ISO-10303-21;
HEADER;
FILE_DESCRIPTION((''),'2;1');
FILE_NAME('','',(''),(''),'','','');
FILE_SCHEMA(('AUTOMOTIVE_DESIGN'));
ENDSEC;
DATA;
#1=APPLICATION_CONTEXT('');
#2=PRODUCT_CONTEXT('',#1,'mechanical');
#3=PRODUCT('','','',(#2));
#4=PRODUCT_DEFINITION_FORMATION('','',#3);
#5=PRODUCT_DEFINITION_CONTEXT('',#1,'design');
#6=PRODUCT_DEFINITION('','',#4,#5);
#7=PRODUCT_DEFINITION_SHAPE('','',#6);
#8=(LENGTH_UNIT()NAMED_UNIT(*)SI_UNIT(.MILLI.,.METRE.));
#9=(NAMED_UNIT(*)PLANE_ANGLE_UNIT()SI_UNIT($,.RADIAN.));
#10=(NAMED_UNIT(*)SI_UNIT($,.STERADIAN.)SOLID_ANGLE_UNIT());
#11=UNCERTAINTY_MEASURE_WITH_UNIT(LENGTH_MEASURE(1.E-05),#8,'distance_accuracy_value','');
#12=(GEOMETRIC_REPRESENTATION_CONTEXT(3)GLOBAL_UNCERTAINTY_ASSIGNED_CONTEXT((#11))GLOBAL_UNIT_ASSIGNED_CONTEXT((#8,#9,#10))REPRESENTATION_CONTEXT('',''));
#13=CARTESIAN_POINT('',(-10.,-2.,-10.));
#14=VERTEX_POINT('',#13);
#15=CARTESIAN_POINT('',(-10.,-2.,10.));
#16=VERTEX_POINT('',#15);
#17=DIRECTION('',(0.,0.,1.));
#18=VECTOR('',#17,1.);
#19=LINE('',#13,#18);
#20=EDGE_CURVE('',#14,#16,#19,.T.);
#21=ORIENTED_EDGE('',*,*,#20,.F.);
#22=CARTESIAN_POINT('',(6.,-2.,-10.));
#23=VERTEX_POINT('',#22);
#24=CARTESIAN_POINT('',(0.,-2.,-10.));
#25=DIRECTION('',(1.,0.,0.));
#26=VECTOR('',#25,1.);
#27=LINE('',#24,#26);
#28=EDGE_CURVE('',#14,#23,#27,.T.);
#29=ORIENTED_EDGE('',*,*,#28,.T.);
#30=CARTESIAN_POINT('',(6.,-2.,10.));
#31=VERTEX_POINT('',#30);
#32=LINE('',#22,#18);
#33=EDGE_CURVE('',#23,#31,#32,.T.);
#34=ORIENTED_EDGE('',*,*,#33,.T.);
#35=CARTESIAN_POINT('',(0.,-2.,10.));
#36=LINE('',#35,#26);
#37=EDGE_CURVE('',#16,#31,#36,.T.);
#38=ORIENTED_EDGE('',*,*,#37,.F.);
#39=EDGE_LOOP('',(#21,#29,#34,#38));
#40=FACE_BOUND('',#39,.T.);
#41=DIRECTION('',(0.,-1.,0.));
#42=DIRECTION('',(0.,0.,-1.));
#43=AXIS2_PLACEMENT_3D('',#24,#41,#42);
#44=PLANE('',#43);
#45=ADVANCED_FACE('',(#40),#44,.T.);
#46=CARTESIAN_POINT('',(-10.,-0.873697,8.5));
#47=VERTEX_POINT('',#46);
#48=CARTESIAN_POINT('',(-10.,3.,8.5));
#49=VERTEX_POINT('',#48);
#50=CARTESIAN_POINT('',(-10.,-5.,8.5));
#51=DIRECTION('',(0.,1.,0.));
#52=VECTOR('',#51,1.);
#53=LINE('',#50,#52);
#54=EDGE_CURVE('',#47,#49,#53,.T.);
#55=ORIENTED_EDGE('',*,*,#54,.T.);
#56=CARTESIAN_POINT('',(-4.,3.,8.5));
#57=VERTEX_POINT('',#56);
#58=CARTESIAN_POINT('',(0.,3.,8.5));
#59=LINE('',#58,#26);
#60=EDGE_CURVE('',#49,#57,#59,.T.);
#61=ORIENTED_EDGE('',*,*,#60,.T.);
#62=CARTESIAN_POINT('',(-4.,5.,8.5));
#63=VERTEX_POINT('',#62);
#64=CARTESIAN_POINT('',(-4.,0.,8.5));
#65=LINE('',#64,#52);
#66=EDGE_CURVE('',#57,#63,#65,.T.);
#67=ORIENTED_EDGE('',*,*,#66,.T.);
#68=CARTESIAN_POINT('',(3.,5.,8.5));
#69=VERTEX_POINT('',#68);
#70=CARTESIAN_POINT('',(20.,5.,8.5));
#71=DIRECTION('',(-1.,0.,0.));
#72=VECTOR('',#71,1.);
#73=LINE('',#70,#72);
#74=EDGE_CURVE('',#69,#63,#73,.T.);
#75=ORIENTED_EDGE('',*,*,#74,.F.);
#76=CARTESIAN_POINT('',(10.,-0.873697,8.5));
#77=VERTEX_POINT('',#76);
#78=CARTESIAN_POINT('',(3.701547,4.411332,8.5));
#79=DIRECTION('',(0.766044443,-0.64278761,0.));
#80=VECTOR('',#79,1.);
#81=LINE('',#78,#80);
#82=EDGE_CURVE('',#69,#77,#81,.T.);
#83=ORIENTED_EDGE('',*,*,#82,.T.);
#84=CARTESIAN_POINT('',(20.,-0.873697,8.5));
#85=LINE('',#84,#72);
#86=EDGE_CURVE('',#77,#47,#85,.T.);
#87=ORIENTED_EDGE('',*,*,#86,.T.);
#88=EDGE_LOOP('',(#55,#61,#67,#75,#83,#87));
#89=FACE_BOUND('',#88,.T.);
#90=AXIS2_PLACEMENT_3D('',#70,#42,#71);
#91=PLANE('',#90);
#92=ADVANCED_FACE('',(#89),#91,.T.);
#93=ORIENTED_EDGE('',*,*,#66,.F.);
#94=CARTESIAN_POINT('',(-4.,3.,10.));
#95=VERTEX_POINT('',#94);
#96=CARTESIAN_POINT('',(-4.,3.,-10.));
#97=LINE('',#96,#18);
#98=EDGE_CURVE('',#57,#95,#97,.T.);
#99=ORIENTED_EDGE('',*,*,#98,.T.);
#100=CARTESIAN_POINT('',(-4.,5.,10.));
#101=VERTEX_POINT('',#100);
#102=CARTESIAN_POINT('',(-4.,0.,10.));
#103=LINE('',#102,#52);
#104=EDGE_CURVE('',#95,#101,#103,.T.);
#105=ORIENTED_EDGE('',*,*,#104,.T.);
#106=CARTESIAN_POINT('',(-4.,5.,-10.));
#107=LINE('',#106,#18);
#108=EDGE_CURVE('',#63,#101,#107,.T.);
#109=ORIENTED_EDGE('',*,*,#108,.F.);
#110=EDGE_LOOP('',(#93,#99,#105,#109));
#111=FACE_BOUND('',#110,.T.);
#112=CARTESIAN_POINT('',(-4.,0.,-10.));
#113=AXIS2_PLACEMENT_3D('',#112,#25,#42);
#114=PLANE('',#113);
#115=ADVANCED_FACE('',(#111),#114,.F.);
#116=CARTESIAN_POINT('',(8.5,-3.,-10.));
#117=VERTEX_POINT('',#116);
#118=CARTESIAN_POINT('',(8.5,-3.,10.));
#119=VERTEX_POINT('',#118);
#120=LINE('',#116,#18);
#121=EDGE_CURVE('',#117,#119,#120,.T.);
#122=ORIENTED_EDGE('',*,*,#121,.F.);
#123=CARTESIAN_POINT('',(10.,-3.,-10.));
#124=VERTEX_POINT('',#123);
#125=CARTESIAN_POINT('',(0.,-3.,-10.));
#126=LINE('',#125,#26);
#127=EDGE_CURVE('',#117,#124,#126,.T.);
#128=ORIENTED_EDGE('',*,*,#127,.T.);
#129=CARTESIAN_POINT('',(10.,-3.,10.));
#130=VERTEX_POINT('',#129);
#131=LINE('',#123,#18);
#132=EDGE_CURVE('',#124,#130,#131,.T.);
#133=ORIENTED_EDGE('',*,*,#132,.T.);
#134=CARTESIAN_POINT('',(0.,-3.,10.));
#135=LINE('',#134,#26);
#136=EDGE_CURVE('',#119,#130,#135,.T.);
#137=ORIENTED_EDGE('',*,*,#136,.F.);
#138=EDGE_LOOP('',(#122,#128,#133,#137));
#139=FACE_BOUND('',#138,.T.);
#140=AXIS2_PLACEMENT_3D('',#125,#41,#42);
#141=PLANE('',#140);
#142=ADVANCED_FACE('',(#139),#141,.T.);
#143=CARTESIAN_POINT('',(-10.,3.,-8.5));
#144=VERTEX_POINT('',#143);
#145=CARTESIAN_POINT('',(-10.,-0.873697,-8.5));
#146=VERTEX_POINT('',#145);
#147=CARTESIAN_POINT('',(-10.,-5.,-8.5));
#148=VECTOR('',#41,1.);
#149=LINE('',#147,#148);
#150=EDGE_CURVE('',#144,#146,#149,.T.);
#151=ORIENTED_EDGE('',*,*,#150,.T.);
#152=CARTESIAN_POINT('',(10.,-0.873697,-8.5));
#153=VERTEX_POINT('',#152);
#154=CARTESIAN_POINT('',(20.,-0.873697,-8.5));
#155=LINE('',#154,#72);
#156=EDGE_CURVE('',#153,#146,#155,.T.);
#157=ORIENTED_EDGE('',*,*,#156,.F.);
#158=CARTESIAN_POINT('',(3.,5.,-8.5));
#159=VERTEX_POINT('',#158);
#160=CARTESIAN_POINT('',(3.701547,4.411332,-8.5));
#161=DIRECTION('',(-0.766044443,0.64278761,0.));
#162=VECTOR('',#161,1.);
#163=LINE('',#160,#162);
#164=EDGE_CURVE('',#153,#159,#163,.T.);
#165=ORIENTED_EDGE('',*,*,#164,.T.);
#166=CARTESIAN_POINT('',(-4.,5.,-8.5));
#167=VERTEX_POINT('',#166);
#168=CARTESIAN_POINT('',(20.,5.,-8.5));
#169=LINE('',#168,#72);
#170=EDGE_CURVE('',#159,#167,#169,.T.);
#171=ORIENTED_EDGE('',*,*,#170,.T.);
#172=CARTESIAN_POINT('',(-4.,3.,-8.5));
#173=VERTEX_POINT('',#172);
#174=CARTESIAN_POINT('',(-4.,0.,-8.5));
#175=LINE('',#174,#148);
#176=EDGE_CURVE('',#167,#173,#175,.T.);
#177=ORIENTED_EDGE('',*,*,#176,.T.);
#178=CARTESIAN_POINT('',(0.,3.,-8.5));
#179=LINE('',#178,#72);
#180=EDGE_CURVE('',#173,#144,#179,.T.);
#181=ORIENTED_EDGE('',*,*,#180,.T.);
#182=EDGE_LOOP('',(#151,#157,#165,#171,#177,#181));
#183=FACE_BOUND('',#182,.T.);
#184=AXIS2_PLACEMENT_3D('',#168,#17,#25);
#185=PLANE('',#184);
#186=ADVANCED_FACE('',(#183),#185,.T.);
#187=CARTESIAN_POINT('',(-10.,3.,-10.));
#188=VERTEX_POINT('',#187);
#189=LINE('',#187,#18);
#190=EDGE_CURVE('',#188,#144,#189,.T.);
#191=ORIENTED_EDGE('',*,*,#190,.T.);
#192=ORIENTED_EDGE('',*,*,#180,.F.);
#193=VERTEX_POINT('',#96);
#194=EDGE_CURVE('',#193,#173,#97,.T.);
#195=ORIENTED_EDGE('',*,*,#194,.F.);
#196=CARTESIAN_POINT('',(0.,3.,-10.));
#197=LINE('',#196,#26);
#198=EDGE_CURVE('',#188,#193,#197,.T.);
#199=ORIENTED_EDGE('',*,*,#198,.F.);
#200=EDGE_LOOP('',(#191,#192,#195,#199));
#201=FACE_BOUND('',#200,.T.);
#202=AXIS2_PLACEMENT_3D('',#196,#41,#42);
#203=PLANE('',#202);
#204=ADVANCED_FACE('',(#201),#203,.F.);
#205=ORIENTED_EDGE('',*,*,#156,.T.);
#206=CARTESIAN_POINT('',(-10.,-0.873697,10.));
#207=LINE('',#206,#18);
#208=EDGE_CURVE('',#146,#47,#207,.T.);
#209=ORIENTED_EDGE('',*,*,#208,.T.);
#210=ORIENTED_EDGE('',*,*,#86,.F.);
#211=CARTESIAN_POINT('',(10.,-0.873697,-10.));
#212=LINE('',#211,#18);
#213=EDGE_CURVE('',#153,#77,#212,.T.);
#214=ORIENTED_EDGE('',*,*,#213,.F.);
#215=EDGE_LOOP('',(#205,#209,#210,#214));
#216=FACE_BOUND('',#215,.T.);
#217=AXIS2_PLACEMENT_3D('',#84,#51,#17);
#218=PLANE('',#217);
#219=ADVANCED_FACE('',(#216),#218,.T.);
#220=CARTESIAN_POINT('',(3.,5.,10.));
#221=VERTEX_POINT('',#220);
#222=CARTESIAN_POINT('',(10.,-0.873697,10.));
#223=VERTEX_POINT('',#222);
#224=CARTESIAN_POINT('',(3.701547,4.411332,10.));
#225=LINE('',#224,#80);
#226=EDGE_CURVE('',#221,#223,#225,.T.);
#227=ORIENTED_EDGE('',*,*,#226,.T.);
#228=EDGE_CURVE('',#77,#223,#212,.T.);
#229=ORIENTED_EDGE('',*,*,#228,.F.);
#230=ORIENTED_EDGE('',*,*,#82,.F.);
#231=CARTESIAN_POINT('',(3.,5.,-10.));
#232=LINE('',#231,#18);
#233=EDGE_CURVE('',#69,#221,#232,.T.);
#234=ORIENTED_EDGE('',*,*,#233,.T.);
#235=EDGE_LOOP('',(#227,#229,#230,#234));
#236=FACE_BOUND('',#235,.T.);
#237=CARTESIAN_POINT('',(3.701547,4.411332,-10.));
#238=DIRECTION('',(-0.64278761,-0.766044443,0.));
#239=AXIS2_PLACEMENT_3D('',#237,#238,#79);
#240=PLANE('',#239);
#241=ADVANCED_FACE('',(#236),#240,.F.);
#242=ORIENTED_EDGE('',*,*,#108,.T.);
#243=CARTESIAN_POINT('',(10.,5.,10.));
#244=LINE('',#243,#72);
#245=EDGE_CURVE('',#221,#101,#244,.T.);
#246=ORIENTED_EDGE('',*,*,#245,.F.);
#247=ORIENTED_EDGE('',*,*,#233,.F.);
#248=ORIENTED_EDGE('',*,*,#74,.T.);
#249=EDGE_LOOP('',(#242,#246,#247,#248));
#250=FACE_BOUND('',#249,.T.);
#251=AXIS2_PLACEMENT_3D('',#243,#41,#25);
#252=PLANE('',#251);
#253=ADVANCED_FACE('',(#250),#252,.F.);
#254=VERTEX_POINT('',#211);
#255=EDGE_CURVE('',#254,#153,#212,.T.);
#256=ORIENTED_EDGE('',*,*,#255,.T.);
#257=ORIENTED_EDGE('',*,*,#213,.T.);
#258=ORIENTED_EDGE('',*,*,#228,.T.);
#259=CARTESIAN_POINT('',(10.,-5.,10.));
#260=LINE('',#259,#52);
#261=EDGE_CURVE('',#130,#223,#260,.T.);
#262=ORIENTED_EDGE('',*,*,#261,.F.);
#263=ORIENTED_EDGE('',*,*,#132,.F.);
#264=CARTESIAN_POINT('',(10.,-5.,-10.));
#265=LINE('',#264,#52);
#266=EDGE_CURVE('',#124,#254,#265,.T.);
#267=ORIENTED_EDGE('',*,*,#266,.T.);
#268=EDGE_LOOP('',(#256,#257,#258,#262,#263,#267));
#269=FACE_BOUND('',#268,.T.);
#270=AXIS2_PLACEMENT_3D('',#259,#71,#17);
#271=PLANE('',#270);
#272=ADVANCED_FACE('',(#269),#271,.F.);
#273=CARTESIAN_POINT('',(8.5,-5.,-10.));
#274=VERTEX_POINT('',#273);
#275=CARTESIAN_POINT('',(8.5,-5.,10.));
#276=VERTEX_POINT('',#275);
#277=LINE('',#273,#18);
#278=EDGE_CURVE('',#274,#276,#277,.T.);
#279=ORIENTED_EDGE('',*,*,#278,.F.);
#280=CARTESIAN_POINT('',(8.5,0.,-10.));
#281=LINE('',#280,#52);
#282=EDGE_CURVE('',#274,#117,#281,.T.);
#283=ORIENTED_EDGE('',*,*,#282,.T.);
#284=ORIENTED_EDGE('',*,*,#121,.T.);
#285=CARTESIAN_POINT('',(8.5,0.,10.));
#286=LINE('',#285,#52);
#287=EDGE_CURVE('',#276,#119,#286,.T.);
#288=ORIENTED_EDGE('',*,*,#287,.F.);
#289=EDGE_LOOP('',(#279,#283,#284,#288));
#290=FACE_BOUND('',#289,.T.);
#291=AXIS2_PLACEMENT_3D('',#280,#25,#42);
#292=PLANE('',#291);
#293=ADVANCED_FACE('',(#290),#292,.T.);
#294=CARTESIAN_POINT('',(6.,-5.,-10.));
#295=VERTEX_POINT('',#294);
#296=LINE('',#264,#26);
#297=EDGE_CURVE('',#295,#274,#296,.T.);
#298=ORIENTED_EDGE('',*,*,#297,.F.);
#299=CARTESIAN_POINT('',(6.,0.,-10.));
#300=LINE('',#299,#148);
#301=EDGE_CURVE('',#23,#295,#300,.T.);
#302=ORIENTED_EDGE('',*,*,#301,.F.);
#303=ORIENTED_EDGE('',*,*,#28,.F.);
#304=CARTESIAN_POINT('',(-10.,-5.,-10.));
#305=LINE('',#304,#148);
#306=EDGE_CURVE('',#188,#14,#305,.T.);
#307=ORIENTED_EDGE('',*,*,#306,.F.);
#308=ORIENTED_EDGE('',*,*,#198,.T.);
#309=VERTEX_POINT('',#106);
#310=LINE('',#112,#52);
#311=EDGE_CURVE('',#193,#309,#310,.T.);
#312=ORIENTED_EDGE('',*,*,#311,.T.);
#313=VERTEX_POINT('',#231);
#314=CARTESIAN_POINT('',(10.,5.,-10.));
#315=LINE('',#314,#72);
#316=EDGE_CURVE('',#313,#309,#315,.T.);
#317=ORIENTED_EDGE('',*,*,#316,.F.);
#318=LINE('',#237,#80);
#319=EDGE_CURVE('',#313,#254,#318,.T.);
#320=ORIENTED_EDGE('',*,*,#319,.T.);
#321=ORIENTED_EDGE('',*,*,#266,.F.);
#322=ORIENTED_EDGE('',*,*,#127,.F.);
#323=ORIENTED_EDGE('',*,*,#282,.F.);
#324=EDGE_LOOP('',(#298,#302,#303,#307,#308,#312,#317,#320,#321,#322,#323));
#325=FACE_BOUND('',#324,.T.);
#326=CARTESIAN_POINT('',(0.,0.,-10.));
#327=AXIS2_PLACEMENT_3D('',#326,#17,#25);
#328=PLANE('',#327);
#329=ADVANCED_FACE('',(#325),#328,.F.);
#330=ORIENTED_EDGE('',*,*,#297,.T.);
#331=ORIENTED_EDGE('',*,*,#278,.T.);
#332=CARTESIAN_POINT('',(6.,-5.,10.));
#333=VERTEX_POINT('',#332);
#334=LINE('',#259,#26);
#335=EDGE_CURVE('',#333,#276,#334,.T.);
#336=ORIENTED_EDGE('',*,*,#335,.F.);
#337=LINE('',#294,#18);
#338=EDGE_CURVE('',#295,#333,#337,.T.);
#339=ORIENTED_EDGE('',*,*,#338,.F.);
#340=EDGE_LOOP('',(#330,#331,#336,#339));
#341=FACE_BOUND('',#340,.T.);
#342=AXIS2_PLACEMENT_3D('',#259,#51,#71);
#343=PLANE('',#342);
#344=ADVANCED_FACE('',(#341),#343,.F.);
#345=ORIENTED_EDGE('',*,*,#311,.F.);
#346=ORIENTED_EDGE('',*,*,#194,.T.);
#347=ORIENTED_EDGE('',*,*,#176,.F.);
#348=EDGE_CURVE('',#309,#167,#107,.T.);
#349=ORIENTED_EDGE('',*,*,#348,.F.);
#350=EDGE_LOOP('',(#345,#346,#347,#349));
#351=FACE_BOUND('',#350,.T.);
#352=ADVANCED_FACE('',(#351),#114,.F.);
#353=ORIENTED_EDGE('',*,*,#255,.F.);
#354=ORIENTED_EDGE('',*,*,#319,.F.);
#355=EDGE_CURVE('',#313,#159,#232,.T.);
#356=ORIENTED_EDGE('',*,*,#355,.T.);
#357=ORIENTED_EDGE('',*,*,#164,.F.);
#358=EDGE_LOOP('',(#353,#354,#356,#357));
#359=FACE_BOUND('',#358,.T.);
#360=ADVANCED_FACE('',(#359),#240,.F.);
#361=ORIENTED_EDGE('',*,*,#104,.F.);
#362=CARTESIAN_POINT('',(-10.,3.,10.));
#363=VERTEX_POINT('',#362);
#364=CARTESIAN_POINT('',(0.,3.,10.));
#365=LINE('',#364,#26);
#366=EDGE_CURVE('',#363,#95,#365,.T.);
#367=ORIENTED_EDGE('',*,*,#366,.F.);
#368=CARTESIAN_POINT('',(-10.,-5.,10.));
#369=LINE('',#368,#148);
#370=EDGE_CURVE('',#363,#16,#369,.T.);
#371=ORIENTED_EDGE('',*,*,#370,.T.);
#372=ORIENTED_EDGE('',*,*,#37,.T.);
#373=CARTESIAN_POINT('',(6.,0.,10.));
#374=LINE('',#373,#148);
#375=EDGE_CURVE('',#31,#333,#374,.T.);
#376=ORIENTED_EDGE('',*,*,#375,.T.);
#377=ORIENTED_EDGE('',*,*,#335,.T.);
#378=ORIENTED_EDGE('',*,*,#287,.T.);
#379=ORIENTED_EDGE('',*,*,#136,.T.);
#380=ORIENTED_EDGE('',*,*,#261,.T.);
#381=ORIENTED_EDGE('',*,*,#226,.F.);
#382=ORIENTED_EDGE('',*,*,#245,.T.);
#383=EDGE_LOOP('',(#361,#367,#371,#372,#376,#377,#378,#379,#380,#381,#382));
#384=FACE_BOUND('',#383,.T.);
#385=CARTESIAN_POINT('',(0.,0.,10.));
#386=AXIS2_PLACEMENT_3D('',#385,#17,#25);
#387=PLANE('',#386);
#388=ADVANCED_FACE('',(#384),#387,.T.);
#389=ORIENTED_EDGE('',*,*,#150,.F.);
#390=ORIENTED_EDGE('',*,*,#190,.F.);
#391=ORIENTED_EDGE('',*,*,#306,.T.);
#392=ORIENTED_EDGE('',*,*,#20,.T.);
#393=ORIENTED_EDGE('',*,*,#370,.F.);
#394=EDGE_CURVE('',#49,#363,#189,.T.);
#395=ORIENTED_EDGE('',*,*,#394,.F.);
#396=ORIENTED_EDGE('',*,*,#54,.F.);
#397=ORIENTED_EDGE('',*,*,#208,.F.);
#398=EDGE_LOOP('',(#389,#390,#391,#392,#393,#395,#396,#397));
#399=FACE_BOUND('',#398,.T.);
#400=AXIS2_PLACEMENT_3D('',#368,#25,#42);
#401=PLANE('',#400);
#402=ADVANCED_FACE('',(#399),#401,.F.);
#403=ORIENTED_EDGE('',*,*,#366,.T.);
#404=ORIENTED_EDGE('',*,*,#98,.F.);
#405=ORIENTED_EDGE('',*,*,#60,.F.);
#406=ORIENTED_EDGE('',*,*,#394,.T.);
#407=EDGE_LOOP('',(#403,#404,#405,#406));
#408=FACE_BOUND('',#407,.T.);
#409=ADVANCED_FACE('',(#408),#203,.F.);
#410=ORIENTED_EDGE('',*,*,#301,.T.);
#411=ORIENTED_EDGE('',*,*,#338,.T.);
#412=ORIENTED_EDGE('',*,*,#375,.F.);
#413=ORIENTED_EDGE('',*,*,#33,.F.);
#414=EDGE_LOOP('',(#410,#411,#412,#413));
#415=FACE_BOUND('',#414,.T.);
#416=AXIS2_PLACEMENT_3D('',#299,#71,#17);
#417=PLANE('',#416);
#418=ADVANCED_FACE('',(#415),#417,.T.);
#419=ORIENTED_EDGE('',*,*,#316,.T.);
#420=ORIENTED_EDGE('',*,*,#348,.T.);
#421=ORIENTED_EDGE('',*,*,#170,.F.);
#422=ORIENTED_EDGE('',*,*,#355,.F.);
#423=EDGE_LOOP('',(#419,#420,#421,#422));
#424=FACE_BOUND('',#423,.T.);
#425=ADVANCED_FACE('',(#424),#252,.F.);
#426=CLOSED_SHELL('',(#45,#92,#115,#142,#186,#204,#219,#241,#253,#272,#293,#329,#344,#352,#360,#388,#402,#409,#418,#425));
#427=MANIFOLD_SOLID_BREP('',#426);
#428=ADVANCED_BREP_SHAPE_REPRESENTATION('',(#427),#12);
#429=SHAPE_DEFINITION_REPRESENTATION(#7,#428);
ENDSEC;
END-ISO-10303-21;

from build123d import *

# Parameters (mm, degrees)
SKETCH_1_W               = 20
SKETCH_1_H               = 10
EXTRUDE_2_DEPTH          = 10
SKETCH_2_W               = 6
SKETCH_2_H               = 2
SKETCH_2_W_2             = 16
SKETCH_2_H_2             = 3
SKETCH_2_W_3             = 1.5
CUT_EXTRUDE_1_DEPTH      = 23.912878475
CUT_EXTRUDE_2_DEPTH      = 20
CUT_EXTRUDE_2_DEPTH_BACK = 20
SKETCH_7_W               = 17
SKETCH_7_H               = 5.873697418


with BuildPart() as part:
    # Эскиз1 → Бобышка-Вытянуть2 (new, symmetric)
    with BuildSketch(Plane.XY):
        Rectangle(SKETCH_1_W, SKETCH_1_H)
    extrude(amount=EXTRUDE_2_DEPTH, both=True)

    # Эскиз2 → Вырез-Вытянуть1 (cut, through all)
    with BuildSketch(Plane.XY.offset(10)):
        with Locations((-7, 4)):
            Rectangle(SKETCH_2_W, SKETCH_2_H)
        Polygon((10, 5), (3, 5), (10, -0.873697418), align=None)
        with Locations((-2, -3.5)):
            Rectangle(SKETCH_2_W_2, SKETCH_2_H_2)
        with Locations((9.25, -4)):
            Rectangle(SKETCH_2_W_3, SKETCH_2_H)
    extrude(amount=-CUT_EXTRUDE_1_DEPTH, mode=Mode.SUBTRACT)

    # Эскиз7 → Вырез-Вытянуть2 (cut, two sides: drawn at the far end of the back side and taken through both)
    with BuildSketch(Plane(origin=(0, 0, 0), x_dir=(0, 0, -1), z_dir=(1, 0, 0)).offset(-CUT_EXTRUDE_2_DEPTH_BACK)):
        with Locations((0, 2.063151291)):
            Rectangle(SKETCH_7_W, SKETCH_7_H)
    extrude(amount=CUT_EXTRUDE_2_DEPTH + CUT_EXTRUDE_2_DEPTH_BACK, mode=Mode.SUBTRACT)


solid = part.part
